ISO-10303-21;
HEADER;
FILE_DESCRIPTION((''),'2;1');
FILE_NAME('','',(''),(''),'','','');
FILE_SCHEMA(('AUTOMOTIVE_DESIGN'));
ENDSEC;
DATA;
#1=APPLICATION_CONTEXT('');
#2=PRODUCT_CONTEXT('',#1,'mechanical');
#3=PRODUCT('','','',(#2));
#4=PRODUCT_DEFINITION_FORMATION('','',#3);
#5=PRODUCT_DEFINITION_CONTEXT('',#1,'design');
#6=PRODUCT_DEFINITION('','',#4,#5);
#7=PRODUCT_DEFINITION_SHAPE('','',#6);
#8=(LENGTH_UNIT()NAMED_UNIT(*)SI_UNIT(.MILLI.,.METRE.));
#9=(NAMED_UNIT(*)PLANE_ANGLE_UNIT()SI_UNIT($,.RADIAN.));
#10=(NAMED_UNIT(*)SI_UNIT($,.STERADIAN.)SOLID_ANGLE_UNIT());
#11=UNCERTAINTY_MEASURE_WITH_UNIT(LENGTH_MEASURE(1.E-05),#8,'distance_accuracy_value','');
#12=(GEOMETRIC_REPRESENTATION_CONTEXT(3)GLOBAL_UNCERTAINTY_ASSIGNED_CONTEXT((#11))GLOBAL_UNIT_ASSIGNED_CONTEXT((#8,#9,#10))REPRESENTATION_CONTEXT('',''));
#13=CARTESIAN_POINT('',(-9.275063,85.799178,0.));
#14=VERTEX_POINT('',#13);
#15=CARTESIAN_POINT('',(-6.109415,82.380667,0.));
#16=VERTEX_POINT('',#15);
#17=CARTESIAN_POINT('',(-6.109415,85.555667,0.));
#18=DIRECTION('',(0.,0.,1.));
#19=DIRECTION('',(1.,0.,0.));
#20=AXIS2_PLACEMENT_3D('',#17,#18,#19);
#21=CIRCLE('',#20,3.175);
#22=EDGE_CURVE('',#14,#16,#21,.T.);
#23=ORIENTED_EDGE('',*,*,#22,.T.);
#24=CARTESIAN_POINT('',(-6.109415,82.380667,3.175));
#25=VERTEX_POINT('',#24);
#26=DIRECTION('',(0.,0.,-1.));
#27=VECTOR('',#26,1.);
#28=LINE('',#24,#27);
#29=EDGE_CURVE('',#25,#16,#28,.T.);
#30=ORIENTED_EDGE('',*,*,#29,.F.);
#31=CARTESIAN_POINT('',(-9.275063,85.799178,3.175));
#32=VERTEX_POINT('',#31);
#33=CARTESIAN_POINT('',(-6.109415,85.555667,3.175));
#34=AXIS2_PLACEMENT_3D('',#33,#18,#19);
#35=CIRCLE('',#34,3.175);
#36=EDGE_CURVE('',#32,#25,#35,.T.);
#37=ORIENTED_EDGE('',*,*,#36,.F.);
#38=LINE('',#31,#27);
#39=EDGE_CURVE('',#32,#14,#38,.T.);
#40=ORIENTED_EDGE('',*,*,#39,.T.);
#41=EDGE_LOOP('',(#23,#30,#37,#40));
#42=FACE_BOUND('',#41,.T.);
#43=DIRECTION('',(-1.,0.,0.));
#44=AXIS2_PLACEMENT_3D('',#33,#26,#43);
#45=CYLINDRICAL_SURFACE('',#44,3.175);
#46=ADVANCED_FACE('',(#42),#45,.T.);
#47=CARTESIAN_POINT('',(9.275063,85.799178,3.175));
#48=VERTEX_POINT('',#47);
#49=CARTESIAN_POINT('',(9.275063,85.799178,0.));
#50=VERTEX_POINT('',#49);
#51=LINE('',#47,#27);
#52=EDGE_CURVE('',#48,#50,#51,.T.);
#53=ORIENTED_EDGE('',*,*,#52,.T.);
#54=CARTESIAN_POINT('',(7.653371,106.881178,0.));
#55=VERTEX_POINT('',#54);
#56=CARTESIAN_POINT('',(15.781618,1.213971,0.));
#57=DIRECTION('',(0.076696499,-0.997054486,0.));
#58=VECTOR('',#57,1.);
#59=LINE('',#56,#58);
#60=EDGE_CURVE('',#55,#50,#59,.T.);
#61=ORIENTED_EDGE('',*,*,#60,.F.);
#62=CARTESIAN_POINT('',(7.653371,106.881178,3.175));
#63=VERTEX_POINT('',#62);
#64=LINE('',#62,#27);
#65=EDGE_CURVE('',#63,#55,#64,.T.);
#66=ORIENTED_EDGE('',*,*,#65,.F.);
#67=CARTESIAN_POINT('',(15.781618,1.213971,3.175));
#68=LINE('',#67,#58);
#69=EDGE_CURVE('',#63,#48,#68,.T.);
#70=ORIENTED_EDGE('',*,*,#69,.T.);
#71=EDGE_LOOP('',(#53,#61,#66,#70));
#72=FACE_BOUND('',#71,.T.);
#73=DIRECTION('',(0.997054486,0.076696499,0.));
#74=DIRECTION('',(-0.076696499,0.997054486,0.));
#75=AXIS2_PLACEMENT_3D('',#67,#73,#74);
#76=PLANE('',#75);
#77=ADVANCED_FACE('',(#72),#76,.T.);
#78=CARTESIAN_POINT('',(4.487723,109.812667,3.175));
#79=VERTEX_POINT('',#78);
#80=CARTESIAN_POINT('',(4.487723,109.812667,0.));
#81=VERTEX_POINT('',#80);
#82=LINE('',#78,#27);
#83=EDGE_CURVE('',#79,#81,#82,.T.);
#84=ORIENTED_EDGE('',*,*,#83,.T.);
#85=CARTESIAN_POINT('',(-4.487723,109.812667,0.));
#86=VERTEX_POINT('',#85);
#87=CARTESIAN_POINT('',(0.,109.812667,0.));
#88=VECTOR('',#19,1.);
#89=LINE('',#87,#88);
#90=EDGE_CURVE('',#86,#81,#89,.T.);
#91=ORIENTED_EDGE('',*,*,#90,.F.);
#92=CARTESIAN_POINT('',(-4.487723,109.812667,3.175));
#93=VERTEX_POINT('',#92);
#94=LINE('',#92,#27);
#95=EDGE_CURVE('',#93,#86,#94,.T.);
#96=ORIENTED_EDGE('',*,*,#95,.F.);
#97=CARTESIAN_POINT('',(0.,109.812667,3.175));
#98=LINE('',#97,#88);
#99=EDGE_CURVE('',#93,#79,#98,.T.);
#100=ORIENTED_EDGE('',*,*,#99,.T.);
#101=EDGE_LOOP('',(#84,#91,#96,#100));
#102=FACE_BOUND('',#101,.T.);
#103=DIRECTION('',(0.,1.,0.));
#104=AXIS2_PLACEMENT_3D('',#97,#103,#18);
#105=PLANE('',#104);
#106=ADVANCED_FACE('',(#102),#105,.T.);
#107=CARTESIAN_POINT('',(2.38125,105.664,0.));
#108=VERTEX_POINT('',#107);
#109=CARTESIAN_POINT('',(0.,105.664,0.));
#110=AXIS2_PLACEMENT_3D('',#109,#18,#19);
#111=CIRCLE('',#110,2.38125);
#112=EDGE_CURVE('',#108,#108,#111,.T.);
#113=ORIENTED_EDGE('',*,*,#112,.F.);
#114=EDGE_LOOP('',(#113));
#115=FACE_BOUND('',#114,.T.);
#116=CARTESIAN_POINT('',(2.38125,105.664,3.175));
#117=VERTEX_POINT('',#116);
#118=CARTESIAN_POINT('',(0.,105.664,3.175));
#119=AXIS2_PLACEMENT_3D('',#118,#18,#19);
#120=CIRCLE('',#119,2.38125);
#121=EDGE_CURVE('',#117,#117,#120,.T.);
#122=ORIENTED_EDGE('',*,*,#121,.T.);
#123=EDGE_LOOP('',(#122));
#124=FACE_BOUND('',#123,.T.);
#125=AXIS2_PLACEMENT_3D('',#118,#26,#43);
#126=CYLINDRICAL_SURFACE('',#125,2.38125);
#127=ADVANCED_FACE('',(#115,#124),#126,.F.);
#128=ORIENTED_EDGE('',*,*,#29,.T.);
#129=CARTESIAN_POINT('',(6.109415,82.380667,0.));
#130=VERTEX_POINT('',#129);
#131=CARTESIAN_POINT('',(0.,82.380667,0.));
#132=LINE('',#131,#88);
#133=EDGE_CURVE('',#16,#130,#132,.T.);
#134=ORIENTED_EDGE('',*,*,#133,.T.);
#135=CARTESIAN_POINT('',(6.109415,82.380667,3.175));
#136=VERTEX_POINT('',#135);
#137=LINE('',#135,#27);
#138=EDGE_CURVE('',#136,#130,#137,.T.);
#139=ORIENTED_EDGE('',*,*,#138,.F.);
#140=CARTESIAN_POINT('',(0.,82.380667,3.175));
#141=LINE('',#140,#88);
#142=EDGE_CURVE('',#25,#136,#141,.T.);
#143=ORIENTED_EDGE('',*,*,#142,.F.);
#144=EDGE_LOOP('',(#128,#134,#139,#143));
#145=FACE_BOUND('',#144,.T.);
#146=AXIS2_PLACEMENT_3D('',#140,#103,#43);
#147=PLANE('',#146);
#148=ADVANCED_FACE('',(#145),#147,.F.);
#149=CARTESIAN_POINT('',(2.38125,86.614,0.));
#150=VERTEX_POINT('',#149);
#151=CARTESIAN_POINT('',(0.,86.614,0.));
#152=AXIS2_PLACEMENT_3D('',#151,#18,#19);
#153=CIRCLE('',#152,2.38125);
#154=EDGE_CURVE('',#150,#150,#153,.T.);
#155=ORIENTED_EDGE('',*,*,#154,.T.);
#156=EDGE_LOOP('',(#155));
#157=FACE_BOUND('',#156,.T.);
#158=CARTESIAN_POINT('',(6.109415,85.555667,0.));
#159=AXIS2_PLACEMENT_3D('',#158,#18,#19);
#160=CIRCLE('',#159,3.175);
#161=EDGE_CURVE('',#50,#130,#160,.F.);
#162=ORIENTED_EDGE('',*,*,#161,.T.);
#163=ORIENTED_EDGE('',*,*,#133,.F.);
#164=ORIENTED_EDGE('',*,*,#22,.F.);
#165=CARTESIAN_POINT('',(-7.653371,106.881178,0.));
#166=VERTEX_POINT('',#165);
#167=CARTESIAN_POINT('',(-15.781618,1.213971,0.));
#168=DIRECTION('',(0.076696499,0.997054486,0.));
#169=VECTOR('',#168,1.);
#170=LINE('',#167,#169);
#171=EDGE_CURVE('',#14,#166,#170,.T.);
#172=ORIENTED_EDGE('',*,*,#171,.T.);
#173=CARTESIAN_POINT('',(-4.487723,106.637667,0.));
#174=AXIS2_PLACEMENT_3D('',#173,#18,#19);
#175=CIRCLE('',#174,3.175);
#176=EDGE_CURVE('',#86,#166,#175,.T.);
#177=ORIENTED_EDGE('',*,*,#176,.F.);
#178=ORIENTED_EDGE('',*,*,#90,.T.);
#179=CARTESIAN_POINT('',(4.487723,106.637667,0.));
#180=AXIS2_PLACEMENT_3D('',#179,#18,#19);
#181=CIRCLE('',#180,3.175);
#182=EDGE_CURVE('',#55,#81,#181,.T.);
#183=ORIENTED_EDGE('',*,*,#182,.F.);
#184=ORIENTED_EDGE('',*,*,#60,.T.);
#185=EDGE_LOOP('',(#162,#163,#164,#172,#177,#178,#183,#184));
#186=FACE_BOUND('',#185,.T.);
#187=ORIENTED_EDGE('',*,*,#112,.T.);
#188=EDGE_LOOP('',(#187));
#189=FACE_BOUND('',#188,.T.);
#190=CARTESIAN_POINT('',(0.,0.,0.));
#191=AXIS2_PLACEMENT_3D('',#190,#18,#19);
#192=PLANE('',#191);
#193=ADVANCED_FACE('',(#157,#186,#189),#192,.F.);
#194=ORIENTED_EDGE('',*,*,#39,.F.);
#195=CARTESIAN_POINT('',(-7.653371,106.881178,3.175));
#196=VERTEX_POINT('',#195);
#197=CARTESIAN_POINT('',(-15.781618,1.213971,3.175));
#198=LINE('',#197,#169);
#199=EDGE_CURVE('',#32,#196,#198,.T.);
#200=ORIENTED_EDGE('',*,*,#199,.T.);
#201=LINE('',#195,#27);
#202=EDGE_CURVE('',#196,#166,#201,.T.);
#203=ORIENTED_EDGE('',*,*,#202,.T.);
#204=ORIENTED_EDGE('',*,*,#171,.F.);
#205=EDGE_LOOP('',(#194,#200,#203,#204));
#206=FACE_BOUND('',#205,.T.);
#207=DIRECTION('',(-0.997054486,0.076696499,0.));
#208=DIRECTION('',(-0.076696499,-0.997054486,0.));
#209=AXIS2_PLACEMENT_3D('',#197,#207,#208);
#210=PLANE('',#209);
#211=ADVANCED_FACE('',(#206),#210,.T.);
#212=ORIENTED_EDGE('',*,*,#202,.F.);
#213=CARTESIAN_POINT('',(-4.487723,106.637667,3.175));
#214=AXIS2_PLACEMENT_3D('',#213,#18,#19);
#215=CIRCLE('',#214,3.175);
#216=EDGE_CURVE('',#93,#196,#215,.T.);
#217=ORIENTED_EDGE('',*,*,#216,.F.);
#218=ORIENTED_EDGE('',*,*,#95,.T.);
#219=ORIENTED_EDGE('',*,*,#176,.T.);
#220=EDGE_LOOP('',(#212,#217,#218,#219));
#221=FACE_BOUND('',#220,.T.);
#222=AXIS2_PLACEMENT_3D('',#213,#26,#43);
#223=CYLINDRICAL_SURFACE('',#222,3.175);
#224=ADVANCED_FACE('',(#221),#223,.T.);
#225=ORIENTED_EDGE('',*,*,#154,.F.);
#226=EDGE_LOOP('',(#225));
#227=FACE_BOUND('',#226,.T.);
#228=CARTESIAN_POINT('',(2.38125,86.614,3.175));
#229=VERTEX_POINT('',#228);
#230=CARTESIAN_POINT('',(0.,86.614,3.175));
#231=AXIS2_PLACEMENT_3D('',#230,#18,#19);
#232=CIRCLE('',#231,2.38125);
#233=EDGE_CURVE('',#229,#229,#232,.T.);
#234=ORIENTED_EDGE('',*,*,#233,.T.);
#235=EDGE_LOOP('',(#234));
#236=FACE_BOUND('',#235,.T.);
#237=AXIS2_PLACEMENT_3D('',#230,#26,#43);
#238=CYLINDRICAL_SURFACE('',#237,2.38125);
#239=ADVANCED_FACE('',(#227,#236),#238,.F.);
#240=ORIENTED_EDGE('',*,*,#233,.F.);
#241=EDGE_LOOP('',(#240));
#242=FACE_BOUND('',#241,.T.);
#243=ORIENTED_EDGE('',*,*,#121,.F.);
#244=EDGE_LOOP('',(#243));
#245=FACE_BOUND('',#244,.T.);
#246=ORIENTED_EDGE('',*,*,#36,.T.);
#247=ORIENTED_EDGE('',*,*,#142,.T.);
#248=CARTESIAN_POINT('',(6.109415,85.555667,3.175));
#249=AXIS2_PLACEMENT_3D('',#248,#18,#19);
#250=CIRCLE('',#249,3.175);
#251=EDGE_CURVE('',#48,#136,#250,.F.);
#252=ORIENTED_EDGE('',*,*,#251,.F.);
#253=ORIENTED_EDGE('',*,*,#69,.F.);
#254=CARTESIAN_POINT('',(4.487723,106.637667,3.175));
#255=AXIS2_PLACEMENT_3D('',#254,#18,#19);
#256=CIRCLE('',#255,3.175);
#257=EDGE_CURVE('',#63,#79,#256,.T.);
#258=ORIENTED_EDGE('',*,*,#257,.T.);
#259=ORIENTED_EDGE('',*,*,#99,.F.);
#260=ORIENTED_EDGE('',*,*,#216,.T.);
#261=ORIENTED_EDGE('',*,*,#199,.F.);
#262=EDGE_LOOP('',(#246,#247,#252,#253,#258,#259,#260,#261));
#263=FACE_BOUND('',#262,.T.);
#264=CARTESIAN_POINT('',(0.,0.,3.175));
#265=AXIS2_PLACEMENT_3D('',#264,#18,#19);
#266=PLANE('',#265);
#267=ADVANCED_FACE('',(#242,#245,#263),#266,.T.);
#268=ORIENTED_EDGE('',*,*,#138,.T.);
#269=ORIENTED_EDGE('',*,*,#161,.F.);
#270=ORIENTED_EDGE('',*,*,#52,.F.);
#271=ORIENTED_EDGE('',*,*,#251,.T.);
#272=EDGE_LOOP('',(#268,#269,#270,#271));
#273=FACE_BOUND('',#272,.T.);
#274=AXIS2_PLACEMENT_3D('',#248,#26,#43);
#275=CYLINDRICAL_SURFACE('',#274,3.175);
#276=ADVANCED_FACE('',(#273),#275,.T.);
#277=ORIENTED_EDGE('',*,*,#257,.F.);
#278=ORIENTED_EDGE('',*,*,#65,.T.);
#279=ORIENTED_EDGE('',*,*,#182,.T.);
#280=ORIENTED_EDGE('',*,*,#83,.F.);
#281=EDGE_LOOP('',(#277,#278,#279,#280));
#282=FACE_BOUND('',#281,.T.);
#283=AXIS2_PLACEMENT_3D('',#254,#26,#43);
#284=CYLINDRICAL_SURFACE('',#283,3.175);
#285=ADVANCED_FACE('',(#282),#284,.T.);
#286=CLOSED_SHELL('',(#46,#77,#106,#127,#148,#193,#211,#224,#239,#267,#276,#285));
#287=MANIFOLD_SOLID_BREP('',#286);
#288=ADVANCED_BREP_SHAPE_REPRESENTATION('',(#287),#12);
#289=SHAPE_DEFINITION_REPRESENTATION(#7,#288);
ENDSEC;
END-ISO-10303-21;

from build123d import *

# Parameters (mm, degrees)
BOSS_EXTRUDE1_DEPTH = 3.175


with BuildPart() as part:
    # Sketch1 → Boss-Extrude1 (new body)
    with BuildSketch(Plane.XY):
        with BuildLine():
            Line((0, 108.045250085), (0, 109.812666667))
            Line((0, 109.812666667), (-4.487722928, 109.812666667))
            ThreePointArc((-4.487722928, 109.812666667), (-6.644975388, 108.967234614), (-7.653370919, 106.881178051))
            Line((-7.653370919, 106.881178051), (-9.275063227, 85.799178051))
            ThreePointArc((-9.275063227, 85.799178051), (-8.438983183, 83.398414206), (-6.109415235, 82.380666667))
            Line((-6.109415235, 82.380666667), (0, 82.380666667))
            Line((0, 82.380666667), (0, 84.232750085))
            ThreePointArc((0, 84.232750085), (-2.38125, 86.614000085), (0, 88.995250085))
            Line((0, 88.995250085), (0, 103.282750085))
            ThreePointArc((0, 103.282750085), (-2.38125, 105.664000085), (0, 108.045250085))
        make_face()
        with BuildLine():
            Line((9.275063227, 85.799178051), (7.653370919, 106.881178051))
            ThreePointArc((7.653370919, 106.881178051), (6.644975388, 108.967234614), (4.487722928, 109.812666667))
            Line((4.487722928, 109.812666667), (0, 109.812666667))
            Line((0, 109.812666667), (0, 108.045250085))
            ThreePointArc((0, 108.045250085), (1.683798023, 107.347798107), (2.38125, 105.664000085))
            ThreePointArc((2.38125, 105.664000085), (1.683798023, 103.980202062), (0, 103.282750085))
            Line((0, 103.282750085), (0, 88.995250085))
            ThreePointArc((0, 88.995250085), (1.683798023, 88.297798107), (2.38125, 86.614000085))
            ThreePointArc((2.38125, 86.614000085), (1.683798023, 84.930202062), (0, 84.232750085))
            Line((0, 84.232750085), (0, 82.380666667))
            Line((0, 82.380666667), (6.109415235, 82.380666667))
            ThreePointArc((6.109415235, 82.380666667), (8.438983183, 83.398414206), (9.275063227, 85.799178051))
        make_face()
    extrude(amount=BOSS_EXTRUDE1_DEPTH)


solid = part.part
